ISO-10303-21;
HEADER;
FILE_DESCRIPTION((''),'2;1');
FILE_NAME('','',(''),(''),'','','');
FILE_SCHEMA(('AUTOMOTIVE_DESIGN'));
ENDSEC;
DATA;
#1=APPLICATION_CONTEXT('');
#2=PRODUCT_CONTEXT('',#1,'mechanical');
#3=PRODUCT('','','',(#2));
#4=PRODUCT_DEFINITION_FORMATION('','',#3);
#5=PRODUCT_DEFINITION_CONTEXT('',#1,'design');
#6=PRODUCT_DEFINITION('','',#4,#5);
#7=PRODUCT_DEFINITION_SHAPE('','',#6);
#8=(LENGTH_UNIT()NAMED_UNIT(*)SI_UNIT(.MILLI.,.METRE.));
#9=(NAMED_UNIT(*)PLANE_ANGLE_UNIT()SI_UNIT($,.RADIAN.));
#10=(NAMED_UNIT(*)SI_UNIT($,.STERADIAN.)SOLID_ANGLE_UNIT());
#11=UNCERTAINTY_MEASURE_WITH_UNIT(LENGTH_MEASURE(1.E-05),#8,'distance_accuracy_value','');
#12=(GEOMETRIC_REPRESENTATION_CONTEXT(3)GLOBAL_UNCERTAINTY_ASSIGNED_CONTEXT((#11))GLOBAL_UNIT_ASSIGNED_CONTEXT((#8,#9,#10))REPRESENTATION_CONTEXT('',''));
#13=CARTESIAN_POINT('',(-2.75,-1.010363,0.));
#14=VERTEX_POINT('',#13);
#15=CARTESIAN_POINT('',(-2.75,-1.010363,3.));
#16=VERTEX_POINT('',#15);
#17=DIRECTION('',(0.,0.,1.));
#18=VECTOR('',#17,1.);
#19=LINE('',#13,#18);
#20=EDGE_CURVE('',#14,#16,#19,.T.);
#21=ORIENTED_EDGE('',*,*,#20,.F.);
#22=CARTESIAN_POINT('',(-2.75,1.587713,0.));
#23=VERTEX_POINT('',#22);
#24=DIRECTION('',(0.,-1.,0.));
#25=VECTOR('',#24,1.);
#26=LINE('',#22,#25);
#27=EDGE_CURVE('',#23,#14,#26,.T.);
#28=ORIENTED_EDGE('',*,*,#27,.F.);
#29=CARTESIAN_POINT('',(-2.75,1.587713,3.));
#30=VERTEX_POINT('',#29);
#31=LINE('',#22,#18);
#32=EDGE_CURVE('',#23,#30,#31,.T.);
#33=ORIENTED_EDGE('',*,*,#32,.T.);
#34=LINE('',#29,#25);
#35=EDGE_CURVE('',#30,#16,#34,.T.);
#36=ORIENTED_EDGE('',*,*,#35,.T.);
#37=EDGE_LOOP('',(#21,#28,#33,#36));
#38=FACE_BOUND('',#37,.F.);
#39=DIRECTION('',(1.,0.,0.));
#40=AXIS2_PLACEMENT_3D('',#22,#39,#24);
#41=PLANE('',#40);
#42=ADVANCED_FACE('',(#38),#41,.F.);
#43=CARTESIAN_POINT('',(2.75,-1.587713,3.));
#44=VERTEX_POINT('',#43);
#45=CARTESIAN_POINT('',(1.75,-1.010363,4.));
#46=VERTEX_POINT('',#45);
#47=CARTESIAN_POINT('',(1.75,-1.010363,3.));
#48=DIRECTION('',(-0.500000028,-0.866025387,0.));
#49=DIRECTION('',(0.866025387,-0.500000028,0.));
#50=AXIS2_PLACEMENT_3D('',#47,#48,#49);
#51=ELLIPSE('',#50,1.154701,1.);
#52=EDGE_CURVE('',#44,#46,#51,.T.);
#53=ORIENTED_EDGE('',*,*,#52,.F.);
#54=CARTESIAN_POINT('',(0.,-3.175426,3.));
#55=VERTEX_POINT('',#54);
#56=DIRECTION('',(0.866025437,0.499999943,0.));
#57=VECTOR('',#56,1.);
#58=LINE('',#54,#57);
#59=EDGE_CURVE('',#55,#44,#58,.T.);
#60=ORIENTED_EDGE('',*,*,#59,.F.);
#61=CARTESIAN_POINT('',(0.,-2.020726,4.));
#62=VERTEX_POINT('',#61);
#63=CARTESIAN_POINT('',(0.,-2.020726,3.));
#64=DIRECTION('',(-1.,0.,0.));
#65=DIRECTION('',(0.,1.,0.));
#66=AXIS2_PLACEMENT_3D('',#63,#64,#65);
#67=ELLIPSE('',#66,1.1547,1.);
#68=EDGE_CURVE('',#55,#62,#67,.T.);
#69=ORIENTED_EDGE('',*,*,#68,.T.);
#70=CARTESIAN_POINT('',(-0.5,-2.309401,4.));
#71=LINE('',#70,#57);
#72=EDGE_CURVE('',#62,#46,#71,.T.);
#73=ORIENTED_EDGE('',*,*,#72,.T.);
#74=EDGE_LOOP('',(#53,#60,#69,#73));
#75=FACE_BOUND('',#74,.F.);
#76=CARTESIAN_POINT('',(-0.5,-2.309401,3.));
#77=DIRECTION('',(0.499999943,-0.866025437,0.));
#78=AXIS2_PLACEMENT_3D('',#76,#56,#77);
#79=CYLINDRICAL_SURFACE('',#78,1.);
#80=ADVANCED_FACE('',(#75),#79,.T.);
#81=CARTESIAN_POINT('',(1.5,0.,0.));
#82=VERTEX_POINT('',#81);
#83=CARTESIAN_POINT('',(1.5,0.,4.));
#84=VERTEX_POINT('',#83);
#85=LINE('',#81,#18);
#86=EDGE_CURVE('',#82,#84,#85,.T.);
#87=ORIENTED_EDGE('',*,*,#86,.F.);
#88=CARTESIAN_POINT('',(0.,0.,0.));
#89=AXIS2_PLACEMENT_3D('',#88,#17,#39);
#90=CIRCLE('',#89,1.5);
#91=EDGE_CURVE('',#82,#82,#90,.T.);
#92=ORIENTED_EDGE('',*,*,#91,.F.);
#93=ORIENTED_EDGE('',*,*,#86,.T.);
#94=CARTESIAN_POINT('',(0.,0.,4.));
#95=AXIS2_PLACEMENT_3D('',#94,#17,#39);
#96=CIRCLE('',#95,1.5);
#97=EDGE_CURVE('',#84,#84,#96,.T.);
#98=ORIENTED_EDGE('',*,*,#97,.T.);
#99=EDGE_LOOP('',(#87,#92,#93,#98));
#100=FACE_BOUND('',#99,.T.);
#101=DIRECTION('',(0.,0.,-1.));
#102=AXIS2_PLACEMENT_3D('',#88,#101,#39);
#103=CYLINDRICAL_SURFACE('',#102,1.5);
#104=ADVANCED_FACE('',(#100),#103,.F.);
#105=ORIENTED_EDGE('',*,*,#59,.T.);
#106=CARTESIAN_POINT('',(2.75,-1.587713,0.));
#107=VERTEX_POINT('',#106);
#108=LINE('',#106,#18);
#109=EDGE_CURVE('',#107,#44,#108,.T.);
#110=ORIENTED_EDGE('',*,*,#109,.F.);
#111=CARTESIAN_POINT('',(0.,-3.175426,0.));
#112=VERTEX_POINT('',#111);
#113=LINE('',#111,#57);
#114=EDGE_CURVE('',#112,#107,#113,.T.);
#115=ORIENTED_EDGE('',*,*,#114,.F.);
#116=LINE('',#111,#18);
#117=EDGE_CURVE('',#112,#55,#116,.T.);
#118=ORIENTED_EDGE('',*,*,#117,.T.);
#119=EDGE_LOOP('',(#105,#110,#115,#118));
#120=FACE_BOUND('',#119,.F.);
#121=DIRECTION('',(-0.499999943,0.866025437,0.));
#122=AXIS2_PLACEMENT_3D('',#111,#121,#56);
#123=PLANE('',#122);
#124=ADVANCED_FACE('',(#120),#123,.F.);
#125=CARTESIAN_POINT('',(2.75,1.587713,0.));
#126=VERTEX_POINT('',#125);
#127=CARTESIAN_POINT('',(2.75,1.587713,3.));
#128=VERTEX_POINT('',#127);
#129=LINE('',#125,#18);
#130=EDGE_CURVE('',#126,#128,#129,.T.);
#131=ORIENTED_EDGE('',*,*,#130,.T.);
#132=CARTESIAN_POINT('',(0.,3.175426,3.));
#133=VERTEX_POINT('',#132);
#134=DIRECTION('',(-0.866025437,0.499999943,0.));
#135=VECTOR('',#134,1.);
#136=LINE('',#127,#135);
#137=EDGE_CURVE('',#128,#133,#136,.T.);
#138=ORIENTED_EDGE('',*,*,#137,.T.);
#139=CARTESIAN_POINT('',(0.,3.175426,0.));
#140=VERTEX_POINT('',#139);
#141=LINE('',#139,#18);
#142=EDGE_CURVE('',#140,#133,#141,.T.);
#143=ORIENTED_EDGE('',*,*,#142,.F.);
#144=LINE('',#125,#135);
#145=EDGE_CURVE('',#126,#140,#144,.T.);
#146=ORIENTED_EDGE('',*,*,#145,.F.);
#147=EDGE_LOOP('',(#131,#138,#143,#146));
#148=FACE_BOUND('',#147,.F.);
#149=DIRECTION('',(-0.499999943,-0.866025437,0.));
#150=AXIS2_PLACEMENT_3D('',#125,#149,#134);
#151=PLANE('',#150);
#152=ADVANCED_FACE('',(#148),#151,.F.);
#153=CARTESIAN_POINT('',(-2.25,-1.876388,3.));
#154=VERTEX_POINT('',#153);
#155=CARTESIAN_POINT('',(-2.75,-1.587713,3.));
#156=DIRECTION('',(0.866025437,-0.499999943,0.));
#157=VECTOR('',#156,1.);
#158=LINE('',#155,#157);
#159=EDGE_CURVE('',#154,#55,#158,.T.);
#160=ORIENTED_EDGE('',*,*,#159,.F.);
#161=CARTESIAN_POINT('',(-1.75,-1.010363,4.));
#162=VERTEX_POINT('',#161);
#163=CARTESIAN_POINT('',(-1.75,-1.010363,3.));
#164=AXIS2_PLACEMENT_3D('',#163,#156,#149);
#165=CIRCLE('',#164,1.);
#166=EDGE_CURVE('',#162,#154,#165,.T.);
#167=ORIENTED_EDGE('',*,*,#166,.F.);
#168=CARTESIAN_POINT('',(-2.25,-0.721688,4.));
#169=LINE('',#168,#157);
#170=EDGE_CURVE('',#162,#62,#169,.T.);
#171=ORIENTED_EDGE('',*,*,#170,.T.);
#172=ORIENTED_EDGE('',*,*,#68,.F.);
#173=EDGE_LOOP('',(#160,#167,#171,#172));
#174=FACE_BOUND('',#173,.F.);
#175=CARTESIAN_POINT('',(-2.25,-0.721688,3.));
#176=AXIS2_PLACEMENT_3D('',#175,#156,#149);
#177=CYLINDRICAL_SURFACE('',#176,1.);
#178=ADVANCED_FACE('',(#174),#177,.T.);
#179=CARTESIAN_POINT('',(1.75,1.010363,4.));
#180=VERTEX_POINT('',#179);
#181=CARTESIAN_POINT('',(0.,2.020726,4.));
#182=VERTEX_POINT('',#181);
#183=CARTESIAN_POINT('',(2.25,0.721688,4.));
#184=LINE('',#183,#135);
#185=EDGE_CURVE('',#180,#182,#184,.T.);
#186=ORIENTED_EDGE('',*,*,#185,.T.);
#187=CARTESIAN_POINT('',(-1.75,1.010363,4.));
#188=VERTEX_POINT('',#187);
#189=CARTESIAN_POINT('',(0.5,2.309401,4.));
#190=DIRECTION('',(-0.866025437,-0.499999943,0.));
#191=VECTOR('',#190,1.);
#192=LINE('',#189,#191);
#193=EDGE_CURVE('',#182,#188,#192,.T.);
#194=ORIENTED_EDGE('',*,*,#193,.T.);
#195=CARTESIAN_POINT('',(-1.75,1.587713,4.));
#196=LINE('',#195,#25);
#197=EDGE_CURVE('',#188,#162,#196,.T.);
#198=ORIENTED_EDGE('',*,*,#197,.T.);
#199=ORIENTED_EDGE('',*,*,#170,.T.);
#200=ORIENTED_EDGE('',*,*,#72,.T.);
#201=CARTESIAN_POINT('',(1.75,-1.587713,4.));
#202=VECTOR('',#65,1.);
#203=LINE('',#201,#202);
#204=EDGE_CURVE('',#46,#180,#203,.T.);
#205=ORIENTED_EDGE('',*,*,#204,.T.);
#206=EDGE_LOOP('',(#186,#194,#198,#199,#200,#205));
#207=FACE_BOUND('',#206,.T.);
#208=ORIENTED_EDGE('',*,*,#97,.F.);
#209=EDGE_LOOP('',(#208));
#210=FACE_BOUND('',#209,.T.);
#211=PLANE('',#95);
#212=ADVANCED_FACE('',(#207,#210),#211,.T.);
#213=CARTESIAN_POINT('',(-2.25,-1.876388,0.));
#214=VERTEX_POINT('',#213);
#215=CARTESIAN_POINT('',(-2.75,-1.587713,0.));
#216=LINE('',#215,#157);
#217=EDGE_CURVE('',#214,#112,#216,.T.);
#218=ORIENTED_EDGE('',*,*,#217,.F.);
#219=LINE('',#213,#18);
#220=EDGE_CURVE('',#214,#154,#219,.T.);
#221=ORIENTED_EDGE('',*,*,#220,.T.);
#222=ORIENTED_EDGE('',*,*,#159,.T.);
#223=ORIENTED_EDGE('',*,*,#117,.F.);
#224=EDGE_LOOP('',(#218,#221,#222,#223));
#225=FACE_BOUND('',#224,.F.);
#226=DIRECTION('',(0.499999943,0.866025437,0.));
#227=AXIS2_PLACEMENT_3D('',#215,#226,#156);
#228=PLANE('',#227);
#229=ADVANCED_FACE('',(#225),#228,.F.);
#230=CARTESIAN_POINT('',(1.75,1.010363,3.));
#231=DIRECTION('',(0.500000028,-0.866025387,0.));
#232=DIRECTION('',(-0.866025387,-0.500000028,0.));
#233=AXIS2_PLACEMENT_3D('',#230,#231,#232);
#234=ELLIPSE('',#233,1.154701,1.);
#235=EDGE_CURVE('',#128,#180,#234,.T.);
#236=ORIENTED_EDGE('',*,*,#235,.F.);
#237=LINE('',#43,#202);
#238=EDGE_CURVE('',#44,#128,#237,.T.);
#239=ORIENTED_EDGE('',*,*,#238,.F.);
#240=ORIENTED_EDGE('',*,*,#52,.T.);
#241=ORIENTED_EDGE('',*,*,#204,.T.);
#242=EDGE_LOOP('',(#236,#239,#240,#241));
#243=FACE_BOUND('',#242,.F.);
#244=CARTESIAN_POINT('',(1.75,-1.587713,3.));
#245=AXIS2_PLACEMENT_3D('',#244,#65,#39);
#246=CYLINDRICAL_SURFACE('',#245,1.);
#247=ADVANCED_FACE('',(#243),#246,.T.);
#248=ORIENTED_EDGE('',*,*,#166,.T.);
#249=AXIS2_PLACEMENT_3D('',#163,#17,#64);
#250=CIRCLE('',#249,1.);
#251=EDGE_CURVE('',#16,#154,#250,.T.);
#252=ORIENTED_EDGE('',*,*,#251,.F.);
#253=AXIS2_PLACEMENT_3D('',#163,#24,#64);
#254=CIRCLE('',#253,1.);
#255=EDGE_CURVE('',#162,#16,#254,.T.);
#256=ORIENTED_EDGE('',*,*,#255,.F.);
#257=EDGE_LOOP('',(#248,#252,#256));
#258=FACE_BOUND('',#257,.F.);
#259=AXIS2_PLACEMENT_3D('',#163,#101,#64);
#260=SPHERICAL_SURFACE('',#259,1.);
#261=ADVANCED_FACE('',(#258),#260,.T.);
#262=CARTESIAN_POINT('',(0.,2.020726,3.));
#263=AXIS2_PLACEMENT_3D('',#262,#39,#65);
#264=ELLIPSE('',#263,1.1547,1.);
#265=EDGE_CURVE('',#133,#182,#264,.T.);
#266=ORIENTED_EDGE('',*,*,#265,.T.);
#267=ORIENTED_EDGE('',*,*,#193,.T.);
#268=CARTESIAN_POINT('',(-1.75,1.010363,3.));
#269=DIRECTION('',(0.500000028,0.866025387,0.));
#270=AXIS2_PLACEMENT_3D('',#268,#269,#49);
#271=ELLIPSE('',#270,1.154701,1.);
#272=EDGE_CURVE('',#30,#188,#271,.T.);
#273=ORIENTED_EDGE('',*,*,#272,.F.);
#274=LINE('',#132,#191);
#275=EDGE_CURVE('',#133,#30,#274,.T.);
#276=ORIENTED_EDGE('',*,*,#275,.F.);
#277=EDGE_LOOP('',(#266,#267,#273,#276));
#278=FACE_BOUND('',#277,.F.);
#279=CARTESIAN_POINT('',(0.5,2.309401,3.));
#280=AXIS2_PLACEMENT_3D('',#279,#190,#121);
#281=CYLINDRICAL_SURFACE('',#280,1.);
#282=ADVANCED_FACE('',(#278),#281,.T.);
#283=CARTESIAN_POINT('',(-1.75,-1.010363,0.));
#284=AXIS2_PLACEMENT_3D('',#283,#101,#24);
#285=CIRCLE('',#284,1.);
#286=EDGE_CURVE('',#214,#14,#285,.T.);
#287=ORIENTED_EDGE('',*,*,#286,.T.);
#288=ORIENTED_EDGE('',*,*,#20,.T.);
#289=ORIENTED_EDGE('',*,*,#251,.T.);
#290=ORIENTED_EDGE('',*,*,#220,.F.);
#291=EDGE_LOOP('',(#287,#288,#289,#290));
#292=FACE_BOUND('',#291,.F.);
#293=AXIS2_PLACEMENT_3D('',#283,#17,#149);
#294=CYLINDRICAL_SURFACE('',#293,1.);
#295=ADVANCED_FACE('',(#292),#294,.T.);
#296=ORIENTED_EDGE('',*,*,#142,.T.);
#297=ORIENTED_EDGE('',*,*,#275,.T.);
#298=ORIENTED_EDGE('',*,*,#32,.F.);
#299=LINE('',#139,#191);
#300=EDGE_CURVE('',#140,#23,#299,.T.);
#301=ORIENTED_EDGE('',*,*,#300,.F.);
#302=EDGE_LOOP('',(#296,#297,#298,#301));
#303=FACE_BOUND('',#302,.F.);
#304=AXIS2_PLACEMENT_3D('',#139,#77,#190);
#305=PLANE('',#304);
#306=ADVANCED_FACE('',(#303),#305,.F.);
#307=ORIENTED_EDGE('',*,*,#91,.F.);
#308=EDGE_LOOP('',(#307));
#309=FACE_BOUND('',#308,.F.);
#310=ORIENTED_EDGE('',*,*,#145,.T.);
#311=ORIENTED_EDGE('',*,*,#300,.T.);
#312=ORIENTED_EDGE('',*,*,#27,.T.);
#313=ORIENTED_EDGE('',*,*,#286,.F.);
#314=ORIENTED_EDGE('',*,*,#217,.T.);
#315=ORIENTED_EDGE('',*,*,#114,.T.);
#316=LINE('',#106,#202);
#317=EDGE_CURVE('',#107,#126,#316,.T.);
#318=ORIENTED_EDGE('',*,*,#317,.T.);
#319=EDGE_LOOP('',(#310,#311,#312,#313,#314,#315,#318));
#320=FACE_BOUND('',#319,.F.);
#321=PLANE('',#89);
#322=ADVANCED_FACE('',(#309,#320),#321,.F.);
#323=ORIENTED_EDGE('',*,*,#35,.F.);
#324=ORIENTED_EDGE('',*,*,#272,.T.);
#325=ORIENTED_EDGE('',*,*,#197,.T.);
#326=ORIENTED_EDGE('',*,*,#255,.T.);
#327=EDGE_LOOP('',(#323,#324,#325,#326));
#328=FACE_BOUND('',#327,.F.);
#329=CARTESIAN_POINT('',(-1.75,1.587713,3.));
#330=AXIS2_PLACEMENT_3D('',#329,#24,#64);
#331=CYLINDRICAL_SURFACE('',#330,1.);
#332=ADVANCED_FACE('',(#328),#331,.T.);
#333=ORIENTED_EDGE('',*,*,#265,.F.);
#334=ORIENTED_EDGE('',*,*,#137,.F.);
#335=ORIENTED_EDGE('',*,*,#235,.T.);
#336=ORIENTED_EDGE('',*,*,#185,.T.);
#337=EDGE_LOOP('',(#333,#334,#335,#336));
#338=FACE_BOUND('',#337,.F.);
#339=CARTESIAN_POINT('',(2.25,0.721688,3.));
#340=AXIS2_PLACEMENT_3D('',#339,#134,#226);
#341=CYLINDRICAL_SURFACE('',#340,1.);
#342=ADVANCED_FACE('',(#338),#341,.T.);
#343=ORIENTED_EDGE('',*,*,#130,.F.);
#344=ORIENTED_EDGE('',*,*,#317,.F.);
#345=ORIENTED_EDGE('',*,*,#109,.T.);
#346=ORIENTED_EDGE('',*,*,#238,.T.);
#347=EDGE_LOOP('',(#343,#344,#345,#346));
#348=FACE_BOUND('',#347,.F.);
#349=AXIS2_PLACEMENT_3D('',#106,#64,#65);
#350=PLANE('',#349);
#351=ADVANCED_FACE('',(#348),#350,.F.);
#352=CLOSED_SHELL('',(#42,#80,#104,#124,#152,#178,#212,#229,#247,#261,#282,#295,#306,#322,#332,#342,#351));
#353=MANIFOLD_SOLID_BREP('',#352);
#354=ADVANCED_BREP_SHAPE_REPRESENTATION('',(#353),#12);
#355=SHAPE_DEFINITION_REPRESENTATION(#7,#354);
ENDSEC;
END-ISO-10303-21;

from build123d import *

# Parameters (mm, degrees)
F0_R     = 1.5
F1_DEPTH = 4
F2_R     = 1


with BuildPart() as f1:
    # F0 (on Top) → F1 (new body)
    with BuildSketch(Plane.XY):
        Polygon((2.75, -1.587713), (2.75, 1.587713), (0, 3.175426), (-2.75, 1.587713), (-2.75, -1.587713), (0, -3.175426), align=None)
        Circle(F0_R, mode=Mode.SUBTRACT)
    extrude(amount=F1_DEPTH)

    # F2
    f2_edges = [f1.edges().sort_by_distance(p)[0] for p in [
        (1.375, 2.38157, 4),
        (1.375, -2.38157, 4),
        (-2.75, -1.587713, 2),
        (-2.75, 0, 4),
        (-1.375, 2.38157, 4),
        (2.75, 0, 4),
        (-1.375, -2.38157, 4),
    ]]
    fillet(f2_edges, radius=F2_R)


solid = f1.part
